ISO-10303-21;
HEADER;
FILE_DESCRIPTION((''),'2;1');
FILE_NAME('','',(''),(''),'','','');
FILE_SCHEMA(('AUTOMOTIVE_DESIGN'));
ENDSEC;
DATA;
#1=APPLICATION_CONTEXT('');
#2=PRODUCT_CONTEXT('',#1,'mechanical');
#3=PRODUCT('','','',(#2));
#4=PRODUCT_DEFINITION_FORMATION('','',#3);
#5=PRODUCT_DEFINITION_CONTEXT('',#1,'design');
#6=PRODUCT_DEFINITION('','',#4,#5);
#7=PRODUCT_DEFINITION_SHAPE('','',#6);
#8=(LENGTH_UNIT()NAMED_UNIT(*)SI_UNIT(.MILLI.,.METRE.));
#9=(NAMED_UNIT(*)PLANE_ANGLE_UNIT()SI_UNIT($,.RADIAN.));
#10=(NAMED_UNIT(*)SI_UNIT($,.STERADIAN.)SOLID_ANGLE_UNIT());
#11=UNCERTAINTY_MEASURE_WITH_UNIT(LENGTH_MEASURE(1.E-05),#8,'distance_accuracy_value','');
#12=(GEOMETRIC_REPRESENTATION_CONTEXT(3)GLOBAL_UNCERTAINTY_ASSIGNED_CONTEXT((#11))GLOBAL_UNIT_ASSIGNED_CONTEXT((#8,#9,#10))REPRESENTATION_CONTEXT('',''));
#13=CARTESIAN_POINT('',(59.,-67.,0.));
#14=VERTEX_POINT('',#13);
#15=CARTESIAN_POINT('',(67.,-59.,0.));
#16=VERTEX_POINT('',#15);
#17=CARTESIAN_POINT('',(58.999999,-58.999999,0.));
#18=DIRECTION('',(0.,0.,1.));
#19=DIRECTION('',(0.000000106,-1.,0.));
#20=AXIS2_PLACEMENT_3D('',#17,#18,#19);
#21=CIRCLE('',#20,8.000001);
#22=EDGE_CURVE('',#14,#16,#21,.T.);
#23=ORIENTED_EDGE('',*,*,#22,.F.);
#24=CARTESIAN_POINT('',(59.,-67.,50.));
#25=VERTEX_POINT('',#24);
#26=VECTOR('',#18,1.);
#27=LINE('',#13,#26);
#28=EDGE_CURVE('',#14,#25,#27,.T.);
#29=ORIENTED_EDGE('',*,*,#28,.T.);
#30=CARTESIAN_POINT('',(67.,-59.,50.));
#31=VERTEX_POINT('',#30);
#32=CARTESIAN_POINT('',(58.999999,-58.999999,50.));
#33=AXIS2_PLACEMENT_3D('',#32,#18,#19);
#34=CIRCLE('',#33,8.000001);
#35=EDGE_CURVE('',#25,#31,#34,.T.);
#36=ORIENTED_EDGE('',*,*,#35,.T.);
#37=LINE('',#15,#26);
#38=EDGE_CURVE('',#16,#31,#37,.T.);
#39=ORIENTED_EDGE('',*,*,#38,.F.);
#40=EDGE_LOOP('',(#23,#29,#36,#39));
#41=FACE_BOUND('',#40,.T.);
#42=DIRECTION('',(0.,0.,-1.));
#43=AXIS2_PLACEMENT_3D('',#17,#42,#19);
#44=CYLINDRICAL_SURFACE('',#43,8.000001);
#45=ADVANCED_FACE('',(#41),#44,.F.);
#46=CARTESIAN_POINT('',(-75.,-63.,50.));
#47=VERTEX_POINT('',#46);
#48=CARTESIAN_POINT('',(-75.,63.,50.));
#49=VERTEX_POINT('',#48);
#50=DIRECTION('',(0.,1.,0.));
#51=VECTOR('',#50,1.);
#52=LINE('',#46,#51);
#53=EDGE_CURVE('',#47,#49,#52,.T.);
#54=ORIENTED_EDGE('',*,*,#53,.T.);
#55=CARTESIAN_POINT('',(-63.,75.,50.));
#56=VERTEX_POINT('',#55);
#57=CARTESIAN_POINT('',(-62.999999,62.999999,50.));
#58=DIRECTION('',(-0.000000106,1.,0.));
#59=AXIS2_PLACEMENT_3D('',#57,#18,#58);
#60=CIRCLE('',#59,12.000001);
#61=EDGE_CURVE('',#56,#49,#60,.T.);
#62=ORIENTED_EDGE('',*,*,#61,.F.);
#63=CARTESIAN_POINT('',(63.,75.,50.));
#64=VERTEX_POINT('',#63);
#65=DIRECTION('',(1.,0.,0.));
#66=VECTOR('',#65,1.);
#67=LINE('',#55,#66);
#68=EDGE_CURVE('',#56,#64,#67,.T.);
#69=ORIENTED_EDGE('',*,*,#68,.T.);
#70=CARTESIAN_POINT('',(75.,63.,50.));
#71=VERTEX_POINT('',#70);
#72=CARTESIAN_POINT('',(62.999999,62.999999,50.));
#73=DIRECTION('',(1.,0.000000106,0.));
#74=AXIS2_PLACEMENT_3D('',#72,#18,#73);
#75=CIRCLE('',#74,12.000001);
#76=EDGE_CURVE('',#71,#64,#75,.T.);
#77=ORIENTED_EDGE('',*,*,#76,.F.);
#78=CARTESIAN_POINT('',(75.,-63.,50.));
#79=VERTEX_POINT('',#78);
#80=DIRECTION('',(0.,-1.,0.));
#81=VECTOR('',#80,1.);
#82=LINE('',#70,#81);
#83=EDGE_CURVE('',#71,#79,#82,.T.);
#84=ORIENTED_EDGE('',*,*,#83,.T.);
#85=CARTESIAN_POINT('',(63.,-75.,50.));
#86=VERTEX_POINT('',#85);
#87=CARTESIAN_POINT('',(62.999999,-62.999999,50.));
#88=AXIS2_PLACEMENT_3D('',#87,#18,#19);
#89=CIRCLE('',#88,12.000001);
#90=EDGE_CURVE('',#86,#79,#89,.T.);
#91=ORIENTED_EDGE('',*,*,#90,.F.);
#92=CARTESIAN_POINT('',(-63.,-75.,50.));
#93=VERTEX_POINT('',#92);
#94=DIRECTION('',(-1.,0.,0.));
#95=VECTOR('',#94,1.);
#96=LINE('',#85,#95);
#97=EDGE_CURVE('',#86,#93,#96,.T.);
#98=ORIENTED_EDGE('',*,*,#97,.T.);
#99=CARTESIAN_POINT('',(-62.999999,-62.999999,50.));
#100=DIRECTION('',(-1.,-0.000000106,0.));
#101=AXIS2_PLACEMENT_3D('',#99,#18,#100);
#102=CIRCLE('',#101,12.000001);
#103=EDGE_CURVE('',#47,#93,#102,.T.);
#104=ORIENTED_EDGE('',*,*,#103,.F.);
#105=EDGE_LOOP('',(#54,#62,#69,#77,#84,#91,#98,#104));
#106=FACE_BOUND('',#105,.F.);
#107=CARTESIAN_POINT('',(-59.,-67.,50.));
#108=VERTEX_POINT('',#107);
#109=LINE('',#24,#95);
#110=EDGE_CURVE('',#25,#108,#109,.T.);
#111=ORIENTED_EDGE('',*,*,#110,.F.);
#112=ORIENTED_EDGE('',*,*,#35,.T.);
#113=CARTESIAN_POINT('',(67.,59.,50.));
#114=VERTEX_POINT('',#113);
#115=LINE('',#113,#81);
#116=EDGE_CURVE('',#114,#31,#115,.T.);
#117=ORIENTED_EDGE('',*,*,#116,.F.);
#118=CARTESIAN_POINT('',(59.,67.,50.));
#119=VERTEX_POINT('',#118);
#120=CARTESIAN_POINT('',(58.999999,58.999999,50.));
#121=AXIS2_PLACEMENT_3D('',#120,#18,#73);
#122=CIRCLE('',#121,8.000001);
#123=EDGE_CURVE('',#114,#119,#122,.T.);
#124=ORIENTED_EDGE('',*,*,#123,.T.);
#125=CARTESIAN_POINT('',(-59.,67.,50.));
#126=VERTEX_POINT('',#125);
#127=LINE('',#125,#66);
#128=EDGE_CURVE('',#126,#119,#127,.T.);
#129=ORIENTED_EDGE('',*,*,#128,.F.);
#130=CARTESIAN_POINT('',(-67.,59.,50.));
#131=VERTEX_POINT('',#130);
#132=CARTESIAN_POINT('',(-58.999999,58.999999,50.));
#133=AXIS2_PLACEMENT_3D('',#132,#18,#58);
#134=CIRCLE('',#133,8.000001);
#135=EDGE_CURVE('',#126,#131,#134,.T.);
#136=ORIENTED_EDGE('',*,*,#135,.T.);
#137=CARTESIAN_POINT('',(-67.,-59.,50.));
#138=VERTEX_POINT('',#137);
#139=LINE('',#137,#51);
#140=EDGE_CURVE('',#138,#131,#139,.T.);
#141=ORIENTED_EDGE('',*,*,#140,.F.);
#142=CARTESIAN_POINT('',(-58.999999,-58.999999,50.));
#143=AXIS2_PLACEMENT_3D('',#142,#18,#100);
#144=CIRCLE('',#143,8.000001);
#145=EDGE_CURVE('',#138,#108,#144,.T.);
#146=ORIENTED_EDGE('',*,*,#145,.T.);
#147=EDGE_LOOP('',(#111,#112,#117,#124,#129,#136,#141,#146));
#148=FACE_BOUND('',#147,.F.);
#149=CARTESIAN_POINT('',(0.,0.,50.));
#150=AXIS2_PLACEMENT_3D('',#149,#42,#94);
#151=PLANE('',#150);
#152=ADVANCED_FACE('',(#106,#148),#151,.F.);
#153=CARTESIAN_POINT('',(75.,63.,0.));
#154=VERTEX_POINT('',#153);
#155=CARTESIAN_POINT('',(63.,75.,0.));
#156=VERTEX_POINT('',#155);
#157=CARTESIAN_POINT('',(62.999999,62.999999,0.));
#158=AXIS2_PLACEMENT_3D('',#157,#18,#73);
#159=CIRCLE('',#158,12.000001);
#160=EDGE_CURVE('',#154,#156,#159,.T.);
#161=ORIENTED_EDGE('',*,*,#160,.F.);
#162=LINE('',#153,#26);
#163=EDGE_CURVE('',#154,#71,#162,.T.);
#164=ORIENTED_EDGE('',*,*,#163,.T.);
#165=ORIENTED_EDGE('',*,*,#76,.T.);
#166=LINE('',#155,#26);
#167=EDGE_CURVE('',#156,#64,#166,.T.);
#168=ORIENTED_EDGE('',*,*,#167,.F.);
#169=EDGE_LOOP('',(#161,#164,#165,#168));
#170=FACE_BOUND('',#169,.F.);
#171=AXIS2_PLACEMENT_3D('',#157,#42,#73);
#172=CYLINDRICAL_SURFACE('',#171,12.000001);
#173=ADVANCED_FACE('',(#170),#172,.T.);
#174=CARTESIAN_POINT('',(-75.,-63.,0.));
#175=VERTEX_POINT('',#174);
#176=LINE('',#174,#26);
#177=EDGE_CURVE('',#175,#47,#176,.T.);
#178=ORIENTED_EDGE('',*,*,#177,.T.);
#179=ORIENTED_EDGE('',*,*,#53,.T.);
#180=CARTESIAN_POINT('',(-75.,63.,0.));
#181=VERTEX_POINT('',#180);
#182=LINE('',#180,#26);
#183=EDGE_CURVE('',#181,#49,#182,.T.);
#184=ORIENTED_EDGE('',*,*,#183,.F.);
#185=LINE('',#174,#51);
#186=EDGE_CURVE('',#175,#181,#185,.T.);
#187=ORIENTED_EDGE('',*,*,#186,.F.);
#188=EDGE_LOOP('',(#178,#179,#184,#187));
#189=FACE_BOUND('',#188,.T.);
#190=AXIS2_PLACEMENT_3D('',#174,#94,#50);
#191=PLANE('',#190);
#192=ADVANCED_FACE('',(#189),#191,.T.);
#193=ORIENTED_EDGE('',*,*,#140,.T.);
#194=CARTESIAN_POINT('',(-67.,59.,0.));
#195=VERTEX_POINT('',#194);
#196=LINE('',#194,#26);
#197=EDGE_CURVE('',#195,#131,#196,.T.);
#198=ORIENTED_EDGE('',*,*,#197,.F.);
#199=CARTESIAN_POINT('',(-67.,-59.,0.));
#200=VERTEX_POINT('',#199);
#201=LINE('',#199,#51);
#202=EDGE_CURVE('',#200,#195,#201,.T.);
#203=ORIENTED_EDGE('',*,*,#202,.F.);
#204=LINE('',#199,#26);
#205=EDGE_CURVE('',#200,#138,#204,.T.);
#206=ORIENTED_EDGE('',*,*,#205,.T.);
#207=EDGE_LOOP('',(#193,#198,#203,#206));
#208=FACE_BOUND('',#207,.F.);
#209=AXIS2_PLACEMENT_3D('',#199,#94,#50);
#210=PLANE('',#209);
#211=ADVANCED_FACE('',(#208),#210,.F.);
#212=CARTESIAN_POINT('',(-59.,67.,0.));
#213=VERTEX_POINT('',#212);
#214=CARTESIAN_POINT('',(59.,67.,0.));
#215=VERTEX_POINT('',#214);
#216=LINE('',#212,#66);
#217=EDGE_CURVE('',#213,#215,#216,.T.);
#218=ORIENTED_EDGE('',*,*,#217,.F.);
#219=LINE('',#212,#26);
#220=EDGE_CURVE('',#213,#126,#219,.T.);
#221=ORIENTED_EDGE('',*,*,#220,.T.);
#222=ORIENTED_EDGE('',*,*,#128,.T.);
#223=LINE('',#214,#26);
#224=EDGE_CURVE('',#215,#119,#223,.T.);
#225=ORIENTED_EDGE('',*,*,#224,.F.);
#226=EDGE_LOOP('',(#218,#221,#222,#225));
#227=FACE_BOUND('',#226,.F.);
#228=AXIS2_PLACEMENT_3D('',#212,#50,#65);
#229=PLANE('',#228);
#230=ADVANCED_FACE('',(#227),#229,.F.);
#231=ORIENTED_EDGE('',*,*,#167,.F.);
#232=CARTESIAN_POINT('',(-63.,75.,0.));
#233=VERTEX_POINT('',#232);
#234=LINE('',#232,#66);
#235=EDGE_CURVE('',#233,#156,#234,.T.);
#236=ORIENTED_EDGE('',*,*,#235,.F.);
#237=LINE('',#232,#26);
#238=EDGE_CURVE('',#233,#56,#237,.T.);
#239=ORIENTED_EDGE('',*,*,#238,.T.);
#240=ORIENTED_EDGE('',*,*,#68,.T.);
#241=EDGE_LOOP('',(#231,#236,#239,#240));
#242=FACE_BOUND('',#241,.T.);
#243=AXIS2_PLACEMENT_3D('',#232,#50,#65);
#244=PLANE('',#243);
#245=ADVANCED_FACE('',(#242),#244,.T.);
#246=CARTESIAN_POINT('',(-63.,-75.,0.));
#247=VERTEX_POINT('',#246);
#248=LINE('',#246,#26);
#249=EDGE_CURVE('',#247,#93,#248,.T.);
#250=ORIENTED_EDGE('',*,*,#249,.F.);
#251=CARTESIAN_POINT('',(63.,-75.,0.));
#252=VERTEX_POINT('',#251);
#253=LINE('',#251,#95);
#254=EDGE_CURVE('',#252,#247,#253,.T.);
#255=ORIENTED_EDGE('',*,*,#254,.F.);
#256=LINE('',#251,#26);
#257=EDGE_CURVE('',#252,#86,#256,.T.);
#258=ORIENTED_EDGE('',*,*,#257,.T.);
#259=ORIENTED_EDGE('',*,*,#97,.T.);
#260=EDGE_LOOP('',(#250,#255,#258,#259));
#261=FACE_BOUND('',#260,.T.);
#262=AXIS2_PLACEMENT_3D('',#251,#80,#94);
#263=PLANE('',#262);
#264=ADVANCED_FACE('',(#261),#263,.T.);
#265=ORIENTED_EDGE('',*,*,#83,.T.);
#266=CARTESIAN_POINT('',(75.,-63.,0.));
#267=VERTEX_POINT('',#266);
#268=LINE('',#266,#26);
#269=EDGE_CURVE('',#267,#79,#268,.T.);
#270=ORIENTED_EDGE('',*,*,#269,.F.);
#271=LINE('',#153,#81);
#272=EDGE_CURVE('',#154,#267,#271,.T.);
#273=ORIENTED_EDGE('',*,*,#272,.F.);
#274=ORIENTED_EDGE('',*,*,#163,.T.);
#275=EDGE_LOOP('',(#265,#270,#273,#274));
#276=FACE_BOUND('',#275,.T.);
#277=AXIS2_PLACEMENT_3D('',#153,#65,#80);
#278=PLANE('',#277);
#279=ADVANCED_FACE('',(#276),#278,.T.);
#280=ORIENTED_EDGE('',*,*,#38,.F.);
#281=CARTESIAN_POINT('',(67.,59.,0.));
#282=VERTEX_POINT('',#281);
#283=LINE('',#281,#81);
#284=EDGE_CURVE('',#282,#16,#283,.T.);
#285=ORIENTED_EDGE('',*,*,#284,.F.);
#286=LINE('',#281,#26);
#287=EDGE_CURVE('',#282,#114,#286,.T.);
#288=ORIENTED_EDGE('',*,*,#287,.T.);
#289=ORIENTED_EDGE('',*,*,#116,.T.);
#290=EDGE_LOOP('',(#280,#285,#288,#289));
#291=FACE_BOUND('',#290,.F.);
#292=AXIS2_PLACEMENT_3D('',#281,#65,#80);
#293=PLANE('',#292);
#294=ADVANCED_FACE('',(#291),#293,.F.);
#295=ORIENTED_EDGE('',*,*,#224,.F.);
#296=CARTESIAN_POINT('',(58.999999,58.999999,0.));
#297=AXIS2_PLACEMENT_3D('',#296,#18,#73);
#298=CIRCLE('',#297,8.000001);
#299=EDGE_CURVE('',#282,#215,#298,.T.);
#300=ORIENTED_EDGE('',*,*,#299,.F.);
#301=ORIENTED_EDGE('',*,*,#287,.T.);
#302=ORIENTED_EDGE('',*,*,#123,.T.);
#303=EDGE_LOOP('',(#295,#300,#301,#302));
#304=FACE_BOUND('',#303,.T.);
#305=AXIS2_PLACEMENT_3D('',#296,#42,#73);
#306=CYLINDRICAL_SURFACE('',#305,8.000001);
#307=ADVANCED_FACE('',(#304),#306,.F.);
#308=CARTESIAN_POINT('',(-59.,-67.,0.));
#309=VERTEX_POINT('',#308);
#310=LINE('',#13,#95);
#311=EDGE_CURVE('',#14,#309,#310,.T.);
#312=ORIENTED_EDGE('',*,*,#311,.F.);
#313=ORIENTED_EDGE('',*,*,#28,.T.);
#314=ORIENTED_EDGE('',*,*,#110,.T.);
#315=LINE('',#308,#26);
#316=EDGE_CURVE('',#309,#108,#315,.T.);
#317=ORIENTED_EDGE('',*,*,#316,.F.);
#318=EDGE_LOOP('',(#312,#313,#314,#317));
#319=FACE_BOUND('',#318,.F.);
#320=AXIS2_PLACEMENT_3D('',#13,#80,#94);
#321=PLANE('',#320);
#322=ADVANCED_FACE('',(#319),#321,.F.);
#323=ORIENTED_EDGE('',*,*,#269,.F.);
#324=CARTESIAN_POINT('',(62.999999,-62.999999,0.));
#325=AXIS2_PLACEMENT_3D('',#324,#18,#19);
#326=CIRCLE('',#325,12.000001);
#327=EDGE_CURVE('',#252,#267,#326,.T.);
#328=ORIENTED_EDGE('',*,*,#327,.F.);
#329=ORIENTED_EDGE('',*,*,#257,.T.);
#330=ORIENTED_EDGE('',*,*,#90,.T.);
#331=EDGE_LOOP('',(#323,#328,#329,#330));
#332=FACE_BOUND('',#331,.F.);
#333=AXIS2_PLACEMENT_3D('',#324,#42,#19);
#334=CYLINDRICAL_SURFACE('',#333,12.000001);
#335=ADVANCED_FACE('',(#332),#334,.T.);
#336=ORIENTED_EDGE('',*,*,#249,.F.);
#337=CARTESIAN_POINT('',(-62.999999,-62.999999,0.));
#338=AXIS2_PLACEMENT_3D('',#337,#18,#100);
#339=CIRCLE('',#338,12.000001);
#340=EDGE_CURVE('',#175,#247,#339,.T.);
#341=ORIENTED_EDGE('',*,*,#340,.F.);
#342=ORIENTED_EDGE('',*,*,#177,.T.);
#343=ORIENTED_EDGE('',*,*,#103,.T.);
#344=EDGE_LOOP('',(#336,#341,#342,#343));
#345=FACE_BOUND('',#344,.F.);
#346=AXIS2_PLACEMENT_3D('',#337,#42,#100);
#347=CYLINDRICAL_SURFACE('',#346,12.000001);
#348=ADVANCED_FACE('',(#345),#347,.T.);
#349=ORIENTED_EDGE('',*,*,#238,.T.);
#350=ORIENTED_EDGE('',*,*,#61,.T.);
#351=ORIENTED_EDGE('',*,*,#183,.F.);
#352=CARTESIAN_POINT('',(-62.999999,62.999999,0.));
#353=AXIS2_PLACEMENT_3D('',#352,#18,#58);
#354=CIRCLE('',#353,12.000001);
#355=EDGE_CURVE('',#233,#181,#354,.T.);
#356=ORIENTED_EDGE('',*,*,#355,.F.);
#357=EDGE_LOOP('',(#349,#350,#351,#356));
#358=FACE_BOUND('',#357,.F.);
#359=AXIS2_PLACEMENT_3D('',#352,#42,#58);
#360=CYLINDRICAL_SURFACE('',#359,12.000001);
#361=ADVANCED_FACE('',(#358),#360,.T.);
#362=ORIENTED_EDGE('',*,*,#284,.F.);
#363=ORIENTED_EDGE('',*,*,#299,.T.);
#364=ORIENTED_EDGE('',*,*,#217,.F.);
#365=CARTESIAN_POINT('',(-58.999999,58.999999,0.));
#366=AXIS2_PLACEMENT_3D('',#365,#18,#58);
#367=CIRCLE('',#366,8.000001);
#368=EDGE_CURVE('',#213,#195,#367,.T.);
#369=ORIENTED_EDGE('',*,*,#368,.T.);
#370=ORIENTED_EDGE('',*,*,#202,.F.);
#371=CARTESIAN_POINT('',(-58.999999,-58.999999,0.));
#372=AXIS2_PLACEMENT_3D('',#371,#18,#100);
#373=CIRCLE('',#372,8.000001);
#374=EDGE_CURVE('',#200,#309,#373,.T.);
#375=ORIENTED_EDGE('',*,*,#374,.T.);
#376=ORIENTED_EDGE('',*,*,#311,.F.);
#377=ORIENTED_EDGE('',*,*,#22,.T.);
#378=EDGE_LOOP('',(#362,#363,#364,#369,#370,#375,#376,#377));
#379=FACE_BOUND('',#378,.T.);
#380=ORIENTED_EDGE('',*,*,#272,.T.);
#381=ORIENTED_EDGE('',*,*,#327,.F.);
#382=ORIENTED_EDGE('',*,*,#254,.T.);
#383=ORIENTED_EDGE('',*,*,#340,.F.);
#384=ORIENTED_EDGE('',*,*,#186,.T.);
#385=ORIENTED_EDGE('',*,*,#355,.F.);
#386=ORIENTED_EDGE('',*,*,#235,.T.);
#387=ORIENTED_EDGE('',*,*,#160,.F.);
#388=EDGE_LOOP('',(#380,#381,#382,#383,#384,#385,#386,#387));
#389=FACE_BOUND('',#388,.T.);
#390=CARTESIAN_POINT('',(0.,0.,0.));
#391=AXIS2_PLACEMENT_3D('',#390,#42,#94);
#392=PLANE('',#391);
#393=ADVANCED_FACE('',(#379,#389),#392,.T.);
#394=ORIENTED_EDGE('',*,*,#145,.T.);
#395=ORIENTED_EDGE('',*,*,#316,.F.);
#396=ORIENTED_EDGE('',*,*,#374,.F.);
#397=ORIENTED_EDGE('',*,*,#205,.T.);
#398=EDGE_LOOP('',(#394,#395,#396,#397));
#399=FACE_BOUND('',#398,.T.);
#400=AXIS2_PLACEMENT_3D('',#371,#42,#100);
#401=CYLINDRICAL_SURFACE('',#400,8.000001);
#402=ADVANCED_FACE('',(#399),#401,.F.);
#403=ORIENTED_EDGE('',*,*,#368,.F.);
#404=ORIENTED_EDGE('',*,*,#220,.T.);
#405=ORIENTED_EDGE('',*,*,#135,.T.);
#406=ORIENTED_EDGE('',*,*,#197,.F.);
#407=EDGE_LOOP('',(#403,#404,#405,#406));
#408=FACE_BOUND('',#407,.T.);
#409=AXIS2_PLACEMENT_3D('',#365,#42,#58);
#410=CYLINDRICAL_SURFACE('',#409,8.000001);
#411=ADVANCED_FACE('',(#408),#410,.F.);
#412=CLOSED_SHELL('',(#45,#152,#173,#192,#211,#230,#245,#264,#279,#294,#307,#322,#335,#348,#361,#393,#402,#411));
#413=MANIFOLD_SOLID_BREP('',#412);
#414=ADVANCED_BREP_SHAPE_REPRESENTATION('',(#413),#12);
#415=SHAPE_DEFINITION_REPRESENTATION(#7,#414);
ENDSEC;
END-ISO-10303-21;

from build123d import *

# Parameters (mm, degrees)
EXTRUDE_DEPTH = 50


with BuildPart() as part:
    # Sketch → Extrude (new body)
    with BuildSketch(Plane.XY):
        with BuildLine():
            Line((-63, 75), (63, 75))
            ThreePointArc((75, 63), (71.485281, 71.485281), (63, 75))
            Line((75, 63), (75, -63))
            ThreePointArc((63, -75), (71.485281, -71.485281), (75, -63))
            Line((63, -75), (-63, -75))
            ThreePointArc((-75, -63), (-71.485281, -71.485281), (-63, -75))
            Line((-75, -63), (-75, 63))
            ThreePointArc((-63, 75), (-71.485281, 71.485281), (-75, 63))
        make_face()
        with BuildLine():
            Line((-59, 67), (59, 67))
            ThreePointArc((67, 59), (64.656854, 64.656854), (59, 67))
            Line((67, 59), (67, -59))
            ThreePointArc((59, -67), (64.656854, -64.656854), (67, -59))
            Line((59, -67), (-59, -67))
            ThreePointArc((-67, -59), (-64.656854, -64.656854), (-59, -67))
            Line((-67, -59), (-67, 59))
            ThreePointArc((-59, 67), (-64.656854, 64.656854), (-67, 59))
        make_face(mode=Mode.SUBTRACT)
    extrude(amount=EXTRUDE_DEPTH)


solid = part.part
